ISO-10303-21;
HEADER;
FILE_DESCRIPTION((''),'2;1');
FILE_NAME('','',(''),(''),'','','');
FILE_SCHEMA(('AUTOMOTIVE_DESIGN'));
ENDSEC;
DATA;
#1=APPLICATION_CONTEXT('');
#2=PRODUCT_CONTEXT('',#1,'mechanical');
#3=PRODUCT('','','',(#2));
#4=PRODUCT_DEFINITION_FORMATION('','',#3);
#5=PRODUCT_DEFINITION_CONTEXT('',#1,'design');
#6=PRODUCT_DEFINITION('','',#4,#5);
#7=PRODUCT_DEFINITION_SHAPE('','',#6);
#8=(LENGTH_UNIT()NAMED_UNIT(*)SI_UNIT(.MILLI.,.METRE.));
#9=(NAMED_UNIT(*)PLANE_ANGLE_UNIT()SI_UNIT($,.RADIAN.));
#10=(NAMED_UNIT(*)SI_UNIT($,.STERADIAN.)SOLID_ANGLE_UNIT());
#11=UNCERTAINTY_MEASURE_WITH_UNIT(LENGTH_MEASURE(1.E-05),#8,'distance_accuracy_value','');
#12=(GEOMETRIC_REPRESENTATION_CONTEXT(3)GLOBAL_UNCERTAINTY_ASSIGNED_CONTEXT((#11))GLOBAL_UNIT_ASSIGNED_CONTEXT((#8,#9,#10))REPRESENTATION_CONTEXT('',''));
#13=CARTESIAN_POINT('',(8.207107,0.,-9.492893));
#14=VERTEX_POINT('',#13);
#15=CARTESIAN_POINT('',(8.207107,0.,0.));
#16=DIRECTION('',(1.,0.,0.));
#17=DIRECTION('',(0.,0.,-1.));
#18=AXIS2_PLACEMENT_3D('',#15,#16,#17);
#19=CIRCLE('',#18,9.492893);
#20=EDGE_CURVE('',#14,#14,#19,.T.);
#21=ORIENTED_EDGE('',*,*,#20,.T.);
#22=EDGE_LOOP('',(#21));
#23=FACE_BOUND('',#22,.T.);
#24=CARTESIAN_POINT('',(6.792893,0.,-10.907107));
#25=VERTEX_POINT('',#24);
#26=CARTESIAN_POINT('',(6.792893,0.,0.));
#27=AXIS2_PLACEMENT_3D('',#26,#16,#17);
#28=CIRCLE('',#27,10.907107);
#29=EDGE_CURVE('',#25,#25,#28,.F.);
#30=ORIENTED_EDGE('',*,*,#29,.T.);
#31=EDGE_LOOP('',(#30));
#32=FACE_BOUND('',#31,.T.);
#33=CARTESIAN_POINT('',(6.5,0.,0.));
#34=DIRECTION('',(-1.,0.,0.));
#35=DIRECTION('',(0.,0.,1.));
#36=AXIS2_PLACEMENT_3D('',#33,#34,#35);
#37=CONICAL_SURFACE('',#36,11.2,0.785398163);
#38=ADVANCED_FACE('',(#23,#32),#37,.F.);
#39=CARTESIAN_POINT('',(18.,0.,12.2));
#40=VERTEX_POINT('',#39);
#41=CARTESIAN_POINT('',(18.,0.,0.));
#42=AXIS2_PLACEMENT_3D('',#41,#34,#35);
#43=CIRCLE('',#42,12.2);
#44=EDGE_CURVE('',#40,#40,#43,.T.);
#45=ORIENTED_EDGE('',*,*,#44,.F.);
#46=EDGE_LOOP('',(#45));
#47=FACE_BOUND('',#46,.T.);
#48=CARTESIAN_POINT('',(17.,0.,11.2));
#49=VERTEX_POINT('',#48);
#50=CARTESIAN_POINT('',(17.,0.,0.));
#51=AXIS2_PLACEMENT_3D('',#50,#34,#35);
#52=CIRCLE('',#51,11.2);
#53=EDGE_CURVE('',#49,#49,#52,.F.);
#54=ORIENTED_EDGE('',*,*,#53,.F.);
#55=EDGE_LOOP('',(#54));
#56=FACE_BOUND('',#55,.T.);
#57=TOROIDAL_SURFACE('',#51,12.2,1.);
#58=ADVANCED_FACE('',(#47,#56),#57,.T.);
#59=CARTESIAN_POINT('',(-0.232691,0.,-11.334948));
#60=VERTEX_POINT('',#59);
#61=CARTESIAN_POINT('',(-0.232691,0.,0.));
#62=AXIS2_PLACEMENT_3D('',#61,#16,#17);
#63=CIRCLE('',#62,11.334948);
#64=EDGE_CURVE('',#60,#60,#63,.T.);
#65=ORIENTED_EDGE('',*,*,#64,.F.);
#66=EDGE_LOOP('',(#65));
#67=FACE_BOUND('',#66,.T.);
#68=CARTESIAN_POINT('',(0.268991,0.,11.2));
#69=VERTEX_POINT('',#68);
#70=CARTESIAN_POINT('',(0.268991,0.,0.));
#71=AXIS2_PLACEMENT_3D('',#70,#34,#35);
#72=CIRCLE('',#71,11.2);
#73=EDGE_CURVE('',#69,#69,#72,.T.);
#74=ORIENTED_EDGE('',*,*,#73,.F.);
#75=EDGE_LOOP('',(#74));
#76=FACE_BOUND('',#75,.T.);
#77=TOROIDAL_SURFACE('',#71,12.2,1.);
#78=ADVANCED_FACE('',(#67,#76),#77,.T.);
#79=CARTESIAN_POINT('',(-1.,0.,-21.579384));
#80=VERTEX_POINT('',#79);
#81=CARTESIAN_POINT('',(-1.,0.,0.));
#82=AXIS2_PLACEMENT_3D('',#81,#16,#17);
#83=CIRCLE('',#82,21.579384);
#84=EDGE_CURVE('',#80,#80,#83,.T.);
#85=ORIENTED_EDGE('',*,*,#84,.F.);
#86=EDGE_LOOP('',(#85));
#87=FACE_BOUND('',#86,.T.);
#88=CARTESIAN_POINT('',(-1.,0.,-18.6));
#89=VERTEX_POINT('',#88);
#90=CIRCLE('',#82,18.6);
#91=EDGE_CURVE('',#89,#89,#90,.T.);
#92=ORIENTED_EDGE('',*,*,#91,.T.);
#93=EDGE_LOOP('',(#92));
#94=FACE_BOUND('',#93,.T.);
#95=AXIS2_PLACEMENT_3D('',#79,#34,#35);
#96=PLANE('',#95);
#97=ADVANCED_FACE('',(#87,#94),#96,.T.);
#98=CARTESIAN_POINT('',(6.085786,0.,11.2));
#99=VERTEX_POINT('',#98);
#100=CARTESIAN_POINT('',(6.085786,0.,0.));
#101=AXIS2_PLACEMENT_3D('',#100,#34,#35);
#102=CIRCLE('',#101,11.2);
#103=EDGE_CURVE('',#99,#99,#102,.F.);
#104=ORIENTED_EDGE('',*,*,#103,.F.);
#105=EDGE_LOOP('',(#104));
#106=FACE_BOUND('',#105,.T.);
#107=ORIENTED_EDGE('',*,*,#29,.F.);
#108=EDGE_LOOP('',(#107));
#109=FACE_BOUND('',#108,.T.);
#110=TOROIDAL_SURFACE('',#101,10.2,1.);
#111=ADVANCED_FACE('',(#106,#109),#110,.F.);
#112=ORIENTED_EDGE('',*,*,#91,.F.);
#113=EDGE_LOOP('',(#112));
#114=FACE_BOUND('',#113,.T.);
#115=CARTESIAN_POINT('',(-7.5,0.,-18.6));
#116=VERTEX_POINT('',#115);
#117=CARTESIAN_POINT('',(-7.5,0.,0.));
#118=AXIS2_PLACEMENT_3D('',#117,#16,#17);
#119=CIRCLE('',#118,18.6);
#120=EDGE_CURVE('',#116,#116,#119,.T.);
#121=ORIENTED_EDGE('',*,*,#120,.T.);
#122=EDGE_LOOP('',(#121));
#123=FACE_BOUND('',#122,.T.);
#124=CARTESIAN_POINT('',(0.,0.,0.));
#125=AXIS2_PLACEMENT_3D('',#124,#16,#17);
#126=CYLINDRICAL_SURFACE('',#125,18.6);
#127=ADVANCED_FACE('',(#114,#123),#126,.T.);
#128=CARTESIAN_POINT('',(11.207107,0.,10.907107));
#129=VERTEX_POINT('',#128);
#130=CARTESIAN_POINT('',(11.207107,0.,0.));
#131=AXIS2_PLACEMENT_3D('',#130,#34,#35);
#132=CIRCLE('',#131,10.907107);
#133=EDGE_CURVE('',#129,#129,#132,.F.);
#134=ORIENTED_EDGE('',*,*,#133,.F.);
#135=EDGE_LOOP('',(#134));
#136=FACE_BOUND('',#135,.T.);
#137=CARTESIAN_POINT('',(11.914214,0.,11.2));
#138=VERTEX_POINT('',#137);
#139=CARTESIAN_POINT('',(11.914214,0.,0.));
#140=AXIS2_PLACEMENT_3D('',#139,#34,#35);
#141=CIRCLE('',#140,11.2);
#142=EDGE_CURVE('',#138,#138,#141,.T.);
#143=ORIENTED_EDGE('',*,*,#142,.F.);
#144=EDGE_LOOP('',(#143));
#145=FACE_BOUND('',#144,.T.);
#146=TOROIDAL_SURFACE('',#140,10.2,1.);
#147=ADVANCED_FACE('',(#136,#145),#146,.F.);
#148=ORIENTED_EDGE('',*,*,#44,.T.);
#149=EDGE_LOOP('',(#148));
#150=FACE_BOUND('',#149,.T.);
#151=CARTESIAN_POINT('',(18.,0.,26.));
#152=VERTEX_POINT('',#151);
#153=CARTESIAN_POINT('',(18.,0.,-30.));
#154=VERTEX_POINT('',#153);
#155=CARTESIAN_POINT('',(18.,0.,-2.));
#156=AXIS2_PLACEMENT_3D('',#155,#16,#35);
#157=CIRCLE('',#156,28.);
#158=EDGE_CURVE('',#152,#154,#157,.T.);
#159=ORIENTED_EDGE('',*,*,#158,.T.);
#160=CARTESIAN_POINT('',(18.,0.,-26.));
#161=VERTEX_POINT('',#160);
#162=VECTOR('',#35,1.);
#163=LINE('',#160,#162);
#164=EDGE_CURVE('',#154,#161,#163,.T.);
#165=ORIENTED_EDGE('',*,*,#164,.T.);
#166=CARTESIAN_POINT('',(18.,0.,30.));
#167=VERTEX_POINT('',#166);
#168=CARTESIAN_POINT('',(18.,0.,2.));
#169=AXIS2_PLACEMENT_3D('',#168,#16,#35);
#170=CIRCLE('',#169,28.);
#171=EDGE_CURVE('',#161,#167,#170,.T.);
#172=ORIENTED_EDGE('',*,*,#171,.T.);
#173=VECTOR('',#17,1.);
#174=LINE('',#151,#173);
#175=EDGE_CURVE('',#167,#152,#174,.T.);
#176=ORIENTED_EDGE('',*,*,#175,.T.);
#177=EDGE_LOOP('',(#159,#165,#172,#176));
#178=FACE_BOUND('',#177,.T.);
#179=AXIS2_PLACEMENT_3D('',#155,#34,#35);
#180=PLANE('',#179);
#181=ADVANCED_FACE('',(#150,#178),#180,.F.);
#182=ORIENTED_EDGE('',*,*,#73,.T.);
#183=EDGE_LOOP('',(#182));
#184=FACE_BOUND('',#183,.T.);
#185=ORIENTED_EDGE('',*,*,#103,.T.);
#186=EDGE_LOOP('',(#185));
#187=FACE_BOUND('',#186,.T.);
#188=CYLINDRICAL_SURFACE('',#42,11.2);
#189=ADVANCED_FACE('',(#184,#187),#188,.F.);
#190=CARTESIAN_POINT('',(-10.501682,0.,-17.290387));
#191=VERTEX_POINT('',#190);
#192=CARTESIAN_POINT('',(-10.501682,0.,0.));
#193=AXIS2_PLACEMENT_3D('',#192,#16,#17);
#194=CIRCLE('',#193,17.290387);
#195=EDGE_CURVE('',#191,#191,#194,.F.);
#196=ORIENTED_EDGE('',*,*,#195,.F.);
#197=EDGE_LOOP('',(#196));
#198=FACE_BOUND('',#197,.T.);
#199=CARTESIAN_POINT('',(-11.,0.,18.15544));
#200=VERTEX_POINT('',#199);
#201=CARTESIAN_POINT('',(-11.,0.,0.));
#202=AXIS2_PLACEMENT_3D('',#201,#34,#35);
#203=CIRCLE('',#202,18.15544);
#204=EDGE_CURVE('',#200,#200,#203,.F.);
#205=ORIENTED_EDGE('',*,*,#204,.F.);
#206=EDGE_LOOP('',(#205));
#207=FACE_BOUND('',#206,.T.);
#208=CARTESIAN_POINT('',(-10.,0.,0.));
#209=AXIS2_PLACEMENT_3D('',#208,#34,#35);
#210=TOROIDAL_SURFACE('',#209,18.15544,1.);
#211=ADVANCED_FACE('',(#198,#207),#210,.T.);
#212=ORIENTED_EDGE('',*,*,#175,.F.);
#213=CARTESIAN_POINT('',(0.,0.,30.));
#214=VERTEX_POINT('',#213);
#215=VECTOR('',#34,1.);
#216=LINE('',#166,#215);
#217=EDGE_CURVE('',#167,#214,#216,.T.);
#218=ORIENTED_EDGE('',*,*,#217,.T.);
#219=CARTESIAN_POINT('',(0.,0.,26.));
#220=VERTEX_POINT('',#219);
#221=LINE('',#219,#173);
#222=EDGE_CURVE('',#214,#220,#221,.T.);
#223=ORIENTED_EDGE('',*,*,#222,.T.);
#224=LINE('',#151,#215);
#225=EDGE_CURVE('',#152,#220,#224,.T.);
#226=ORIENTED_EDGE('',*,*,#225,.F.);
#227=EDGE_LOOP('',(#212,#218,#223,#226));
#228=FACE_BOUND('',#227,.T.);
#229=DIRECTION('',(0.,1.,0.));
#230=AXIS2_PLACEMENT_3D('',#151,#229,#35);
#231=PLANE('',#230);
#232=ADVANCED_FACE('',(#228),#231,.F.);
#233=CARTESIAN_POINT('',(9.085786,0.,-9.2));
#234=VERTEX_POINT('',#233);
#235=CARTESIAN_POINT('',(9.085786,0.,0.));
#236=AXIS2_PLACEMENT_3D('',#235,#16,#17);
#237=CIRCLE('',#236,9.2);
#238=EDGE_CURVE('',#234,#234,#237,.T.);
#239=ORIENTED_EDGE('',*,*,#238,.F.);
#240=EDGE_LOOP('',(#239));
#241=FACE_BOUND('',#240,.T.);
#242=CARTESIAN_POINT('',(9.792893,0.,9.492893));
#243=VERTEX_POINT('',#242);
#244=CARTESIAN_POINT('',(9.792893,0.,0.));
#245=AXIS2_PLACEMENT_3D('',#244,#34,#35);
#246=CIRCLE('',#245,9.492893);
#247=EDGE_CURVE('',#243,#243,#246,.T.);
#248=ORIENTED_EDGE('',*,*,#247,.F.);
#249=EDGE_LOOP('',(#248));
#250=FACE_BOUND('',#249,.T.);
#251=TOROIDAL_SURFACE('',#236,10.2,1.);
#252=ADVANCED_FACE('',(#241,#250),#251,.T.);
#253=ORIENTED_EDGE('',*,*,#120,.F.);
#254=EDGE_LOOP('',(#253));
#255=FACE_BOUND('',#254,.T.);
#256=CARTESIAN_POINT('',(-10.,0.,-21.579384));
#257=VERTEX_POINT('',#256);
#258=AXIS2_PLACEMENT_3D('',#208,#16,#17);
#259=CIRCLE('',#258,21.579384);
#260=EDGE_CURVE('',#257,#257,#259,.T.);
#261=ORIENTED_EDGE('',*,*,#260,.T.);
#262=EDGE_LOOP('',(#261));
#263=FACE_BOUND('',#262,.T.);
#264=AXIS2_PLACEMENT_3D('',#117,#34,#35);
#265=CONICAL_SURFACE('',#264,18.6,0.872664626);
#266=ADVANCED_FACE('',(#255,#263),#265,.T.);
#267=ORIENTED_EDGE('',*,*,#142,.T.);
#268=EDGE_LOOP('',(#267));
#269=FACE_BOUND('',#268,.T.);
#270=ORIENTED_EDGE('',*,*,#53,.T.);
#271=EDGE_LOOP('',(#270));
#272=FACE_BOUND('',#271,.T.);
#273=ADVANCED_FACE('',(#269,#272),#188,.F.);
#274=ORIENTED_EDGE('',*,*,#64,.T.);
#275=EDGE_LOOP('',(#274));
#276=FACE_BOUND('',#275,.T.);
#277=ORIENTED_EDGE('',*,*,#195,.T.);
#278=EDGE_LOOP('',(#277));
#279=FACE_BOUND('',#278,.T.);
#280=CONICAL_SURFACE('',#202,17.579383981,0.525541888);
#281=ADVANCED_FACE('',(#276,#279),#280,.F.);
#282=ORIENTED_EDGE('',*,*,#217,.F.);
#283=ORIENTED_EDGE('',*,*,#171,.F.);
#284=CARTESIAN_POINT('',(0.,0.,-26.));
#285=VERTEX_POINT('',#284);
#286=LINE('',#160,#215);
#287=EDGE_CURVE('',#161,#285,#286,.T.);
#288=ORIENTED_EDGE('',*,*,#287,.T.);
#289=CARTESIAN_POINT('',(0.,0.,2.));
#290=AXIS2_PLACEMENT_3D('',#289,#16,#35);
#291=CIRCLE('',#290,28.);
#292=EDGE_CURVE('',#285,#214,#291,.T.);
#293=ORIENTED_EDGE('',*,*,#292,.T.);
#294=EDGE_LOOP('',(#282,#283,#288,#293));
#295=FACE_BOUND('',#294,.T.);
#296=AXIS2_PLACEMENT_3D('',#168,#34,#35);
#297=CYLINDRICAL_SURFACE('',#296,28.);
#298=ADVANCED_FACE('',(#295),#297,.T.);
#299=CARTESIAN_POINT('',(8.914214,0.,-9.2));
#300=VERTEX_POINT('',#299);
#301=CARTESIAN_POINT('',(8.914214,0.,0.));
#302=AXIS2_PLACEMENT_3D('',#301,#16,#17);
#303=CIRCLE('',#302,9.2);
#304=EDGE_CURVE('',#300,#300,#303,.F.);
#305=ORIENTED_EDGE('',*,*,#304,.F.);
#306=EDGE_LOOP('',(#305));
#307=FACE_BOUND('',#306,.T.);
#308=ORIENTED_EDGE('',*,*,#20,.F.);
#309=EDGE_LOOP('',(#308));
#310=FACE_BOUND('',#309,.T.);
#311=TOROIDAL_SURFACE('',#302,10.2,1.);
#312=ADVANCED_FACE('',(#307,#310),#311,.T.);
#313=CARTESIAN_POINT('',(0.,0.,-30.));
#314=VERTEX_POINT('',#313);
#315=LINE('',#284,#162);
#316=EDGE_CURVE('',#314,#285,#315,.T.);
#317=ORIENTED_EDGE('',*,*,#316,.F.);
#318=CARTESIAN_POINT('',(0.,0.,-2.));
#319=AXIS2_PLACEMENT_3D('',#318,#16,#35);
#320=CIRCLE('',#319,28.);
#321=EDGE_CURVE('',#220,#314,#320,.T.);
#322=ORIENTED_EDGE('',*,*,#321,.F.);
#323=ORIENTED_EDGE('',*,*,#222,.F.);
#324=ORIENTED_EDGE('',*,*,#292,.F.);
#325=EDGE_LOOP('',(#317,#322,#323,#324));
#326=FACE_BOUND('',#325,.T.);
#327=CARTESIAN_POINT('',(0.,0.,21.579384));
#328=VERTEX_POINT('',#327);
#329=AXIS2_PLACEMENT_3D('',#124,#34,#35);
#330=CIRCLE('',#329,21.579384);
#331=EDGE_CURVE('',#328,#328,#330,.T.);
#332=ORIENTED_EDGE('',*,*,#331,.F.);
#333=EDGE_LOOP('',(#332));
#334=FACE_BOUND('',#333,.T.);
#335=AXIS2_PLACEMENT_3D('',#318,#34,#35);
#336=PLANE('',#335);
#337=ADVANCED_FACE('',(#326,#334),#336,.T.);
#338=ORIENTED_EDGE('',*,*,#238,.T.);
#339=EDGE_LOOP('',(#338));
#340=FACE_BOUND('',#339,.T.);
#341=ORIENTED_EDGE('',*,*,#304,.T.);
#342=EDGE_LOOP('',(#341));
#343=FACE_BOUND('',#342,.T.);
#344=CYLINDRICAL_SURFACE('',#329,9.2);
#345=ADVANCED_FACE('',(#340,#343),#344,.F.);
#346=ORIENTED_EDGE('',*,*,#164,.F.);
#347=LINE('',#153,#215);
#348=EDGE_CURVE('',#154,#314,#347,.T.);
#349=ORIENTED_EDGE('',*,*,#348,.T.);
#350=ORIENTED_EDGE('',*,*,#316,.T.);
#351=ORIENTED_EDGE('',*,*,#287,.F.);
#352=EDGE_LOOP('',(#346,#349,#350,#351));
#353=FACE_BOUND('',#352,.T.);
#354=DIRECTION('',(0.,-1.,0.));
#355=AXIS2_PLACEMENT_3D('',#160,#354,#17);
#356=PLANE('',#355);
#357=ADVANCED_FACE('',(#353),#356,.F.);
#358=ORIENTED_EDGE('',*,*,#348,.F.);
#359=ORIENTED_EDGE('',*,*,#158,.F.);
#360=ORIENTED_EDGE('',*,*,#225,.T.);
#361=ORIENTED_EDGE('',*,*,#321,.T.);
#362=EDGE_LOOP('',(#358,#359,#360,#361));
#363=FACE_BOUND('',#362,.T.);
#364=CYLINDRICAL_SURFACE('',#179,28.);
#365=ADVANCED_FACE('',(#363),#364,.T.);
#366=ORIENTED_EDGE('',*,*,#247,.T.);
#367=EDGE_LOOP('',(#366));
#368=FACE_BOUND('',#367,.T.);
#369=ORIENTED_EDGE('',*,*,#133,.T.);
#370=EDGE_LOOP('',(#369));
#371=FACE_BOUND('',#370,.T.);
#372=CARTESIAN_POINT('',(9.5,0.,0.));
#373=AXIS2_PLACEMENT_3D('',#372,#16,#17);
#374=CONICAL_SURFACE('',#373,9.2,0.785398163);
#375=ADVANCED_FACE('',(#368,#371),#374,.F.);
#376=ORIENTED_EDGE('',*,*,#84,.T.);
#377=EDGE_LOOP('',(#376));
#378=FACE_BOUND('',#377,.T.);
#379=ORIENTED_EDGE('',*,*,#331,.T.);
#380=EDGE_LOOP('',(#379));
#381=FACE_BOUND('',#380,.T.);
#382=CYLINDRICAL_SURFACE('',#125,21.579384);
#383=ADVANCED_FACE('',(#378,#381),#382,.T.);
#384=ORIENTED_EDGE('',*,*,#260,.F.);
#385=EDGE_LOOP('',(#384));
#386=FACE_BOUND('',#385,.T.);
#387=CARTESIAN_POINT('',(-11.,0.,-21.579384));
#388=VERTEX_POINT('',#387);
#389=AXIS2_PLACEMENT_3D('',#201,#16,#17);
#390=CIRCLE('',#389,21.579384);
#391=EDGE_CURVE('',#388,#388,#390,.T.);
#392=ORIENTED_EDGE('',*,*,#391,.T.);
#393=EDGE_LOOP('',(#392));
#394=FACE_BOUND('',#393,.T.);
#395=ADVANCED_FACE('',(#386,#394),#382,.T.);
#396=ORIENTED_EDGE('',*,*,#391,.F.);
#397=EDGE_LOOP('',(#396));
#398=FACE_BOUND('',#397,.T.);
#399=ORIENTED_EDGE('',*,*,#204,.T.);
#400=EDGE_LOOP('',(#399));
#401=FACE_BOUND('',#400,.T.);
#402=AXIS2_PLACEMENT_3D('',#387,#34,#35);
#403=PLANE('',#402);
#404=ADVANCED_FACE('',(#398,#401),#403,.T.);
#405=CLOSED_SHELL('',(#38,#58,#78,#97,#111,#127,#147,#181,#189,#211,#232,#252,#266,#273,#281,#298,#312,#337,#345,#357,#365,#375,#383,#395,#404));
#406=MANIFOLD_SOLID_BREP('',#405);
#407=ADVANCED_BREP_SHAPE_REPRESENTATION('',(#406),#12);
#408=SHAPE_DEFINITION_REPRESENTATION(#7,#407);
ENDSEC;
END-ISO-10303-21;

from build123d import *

# Parameters (mm, degrees)
SKETCH1_R           = 11.2
BOSS_EXTRUDE1_DEPTH = 18
FILLET1_R           = 1


with BuildPart() as part:
    # Sketch1 → Boss-Extrude1 (new body)
    with BuildSketch(Plane(origin=(0, 0, 0), x_dir=(0, 0, -1), z_dir=(1, 0, 0))):
        with BuildLine():
            Line((26, 0), (30, 0))
            ThreePointArc((30, 0), (2, -28), (-26, 0))
            Line((-26, 0), (-30, 0))
            ThreePointArc((-30, 0), (-2, 28), (26, 0))
        make_face()
        Circle(SKETCH1_R, mode=Mode.SUBTRACT)
    extrude(amount=BOSS_EXTRUDE1_DEPTH)

    # Sketch2 → Revolve1 (revolve)
    with BuildSketch(Plane(origin=(0, 0, 0), x_dir=(1, 0, 0), z_dir=(0, 1, 0))):
        Polygon((0, 21.579383981), (-1, 21.579383981), (-1, 18.6), (-7.5, 18.6), (-10, 21.579383981), (-11, 21.579383981), (-11, 17.579383981), (0, 11.2), align=None)
    revolve(axis=Axis((0, 0, 0), (-1, 0, 0)))

    # Sketch4 → Revolve2 (revolve)
    with BuildSketch(Plane.XY, mode=Mode.PRIVATE) as revolve2_sk:
        Polygon((6.5, 11.2), (8.5, 9.2), (9.5, 9.2), (11.5, 11.2), align=None)
    revolve(revolve2_sk.sketch.rotate(Axis((0, 0, 0), (1, 0, 0)), 90), axis=Axis((0, 0, 0), (1, 0, 0)))

    # Fillet1
    fillet1_edges = [part.edges().sort_by_distance(p)[0] for p in [
        (0, 0, 11.2),
        (18, 0, 11.2),
        (-11, 0, 17.579383981),
        (11.5, 11.2, 0),
        (6.5, 11.2, 0),
        (8.5, 0, -9.2),
        (9.5, 0, -9.2),
    ]]
    fillet(fillet1_edges, radius=FILLET1_R)


solid = part.part
